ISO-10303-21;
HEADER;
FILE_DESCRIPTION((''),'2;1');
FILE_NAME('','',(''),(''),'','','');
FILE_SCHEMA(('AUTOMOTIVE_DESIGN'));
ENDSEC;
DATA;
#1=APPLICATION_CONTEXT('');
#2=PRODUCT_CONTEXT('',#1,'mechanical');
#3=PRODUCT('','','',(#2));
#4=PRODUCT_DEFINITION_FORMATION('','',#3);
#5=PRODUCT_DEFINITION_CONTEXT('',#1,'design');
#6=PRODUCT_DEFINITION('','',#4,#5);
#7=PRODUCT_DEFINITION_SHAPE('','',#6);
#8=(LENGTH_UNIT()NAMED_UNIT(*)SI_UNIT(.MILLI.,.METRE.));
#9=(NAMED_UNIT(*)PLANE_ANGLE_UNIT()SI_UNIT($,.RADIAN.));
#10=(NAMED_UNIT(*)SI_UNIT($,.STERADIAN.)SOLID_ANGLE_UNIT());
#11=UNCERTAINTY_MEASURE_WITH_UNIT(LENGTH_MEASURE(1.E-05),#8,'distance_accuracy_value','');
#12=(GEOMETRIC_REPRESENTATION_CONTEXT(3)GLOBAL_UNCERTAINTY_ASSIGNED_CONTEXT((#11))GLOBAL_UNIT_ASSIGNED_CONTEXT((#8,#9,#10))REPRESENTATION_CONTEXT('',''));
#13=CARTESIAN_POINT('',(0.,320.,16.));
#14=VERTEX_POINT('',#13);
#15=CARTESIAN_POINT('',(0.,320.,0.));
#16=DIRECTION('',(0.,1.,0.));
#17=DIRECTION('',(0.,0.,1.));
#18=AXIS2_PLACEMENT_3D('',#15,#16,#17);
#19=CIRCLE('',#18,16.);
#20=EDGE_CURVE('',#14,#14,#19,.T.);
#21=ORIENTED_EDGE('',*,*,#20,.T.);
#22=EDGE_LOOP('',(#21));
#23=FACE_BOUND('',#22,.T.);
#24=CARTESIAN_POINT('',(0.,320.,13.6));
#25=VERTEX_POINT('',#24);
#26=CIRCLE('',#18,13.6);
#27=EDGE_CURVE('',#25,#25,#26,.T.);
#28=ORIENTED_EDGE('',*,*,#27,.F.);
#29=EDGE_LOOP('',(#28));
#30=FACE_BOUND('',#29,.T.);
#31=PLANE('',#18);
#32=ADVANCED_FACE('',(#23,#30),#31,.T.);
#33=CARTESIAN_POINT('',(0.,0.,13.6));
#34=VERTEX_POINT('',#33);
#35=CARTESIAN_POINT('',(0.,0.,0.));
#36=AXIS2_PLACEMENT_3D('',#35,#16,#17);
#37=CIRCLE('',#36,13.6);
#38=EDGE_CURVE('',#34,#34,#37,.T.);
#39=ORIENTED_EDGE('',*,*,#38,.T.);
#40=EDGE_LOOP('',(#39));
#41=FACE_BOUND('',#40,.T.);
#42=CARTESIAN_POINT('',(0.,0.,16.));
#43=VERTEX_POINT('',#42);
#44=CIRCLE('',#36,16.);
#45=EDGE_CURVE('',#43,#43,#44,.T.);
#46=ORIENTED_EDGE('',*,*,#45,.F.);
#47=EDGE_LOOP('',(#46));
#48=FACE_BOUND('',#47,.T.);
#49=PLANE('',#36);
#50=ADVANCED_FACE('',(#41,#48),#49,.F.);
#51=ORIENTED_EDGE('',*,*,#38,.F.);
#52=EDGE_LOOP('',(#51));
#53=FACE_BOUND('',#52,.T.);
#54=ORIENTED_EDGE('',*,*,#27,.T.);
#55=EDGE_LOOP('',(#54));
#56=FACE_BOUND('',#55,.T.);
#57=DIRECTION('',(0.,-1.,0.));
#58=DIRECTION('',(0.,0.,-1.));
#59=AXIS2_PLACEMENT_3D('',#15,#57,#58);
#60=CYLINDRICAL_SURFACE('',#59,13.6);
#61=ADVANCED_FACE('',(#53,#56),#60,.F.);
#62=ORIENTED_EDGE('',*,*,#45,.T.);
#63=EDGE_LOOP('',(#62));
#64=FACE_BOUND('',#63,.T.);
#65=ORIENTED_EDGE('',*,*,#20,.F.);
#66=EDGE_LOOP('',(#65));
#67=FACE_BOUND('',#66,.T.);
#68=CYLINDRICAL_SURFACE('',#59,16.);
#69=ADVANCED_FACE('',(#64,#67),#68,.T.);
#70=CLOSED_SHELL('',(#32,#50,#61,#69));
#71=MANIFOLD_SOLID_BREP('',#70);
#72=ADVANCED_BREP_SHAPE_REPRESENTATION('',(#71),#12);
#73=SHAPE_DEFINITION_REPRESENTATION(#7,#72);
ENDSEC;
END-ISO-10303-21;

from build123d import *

# Parameters (mm, degrees)
SKETCH_1_R      = 16
SKETCH_1_R_2    = 13.6
EXTRUDE_1_DEPTH = 320


with BuildPart() as part:
    # 草图1 → 凸台-拉伸1 (new body)
    with BuildSketch(Plane(origin=(0, 0, 0), x_dir=(1, 0, 0), z_dir=(0, 1, 0))):
        with Locations(Location((0, 0, 0), (0, 0, 270))):
            Circle(SKETCH_1_R)
        with Locations(Location((0, 0, 0), (0, 0, 270))):
            Circle(SKETCH_1_R_2, mode=Mode.SUBTRACT)
    extrude(amount=EXTRUDE_1_DEPTH)


solid = part.part
